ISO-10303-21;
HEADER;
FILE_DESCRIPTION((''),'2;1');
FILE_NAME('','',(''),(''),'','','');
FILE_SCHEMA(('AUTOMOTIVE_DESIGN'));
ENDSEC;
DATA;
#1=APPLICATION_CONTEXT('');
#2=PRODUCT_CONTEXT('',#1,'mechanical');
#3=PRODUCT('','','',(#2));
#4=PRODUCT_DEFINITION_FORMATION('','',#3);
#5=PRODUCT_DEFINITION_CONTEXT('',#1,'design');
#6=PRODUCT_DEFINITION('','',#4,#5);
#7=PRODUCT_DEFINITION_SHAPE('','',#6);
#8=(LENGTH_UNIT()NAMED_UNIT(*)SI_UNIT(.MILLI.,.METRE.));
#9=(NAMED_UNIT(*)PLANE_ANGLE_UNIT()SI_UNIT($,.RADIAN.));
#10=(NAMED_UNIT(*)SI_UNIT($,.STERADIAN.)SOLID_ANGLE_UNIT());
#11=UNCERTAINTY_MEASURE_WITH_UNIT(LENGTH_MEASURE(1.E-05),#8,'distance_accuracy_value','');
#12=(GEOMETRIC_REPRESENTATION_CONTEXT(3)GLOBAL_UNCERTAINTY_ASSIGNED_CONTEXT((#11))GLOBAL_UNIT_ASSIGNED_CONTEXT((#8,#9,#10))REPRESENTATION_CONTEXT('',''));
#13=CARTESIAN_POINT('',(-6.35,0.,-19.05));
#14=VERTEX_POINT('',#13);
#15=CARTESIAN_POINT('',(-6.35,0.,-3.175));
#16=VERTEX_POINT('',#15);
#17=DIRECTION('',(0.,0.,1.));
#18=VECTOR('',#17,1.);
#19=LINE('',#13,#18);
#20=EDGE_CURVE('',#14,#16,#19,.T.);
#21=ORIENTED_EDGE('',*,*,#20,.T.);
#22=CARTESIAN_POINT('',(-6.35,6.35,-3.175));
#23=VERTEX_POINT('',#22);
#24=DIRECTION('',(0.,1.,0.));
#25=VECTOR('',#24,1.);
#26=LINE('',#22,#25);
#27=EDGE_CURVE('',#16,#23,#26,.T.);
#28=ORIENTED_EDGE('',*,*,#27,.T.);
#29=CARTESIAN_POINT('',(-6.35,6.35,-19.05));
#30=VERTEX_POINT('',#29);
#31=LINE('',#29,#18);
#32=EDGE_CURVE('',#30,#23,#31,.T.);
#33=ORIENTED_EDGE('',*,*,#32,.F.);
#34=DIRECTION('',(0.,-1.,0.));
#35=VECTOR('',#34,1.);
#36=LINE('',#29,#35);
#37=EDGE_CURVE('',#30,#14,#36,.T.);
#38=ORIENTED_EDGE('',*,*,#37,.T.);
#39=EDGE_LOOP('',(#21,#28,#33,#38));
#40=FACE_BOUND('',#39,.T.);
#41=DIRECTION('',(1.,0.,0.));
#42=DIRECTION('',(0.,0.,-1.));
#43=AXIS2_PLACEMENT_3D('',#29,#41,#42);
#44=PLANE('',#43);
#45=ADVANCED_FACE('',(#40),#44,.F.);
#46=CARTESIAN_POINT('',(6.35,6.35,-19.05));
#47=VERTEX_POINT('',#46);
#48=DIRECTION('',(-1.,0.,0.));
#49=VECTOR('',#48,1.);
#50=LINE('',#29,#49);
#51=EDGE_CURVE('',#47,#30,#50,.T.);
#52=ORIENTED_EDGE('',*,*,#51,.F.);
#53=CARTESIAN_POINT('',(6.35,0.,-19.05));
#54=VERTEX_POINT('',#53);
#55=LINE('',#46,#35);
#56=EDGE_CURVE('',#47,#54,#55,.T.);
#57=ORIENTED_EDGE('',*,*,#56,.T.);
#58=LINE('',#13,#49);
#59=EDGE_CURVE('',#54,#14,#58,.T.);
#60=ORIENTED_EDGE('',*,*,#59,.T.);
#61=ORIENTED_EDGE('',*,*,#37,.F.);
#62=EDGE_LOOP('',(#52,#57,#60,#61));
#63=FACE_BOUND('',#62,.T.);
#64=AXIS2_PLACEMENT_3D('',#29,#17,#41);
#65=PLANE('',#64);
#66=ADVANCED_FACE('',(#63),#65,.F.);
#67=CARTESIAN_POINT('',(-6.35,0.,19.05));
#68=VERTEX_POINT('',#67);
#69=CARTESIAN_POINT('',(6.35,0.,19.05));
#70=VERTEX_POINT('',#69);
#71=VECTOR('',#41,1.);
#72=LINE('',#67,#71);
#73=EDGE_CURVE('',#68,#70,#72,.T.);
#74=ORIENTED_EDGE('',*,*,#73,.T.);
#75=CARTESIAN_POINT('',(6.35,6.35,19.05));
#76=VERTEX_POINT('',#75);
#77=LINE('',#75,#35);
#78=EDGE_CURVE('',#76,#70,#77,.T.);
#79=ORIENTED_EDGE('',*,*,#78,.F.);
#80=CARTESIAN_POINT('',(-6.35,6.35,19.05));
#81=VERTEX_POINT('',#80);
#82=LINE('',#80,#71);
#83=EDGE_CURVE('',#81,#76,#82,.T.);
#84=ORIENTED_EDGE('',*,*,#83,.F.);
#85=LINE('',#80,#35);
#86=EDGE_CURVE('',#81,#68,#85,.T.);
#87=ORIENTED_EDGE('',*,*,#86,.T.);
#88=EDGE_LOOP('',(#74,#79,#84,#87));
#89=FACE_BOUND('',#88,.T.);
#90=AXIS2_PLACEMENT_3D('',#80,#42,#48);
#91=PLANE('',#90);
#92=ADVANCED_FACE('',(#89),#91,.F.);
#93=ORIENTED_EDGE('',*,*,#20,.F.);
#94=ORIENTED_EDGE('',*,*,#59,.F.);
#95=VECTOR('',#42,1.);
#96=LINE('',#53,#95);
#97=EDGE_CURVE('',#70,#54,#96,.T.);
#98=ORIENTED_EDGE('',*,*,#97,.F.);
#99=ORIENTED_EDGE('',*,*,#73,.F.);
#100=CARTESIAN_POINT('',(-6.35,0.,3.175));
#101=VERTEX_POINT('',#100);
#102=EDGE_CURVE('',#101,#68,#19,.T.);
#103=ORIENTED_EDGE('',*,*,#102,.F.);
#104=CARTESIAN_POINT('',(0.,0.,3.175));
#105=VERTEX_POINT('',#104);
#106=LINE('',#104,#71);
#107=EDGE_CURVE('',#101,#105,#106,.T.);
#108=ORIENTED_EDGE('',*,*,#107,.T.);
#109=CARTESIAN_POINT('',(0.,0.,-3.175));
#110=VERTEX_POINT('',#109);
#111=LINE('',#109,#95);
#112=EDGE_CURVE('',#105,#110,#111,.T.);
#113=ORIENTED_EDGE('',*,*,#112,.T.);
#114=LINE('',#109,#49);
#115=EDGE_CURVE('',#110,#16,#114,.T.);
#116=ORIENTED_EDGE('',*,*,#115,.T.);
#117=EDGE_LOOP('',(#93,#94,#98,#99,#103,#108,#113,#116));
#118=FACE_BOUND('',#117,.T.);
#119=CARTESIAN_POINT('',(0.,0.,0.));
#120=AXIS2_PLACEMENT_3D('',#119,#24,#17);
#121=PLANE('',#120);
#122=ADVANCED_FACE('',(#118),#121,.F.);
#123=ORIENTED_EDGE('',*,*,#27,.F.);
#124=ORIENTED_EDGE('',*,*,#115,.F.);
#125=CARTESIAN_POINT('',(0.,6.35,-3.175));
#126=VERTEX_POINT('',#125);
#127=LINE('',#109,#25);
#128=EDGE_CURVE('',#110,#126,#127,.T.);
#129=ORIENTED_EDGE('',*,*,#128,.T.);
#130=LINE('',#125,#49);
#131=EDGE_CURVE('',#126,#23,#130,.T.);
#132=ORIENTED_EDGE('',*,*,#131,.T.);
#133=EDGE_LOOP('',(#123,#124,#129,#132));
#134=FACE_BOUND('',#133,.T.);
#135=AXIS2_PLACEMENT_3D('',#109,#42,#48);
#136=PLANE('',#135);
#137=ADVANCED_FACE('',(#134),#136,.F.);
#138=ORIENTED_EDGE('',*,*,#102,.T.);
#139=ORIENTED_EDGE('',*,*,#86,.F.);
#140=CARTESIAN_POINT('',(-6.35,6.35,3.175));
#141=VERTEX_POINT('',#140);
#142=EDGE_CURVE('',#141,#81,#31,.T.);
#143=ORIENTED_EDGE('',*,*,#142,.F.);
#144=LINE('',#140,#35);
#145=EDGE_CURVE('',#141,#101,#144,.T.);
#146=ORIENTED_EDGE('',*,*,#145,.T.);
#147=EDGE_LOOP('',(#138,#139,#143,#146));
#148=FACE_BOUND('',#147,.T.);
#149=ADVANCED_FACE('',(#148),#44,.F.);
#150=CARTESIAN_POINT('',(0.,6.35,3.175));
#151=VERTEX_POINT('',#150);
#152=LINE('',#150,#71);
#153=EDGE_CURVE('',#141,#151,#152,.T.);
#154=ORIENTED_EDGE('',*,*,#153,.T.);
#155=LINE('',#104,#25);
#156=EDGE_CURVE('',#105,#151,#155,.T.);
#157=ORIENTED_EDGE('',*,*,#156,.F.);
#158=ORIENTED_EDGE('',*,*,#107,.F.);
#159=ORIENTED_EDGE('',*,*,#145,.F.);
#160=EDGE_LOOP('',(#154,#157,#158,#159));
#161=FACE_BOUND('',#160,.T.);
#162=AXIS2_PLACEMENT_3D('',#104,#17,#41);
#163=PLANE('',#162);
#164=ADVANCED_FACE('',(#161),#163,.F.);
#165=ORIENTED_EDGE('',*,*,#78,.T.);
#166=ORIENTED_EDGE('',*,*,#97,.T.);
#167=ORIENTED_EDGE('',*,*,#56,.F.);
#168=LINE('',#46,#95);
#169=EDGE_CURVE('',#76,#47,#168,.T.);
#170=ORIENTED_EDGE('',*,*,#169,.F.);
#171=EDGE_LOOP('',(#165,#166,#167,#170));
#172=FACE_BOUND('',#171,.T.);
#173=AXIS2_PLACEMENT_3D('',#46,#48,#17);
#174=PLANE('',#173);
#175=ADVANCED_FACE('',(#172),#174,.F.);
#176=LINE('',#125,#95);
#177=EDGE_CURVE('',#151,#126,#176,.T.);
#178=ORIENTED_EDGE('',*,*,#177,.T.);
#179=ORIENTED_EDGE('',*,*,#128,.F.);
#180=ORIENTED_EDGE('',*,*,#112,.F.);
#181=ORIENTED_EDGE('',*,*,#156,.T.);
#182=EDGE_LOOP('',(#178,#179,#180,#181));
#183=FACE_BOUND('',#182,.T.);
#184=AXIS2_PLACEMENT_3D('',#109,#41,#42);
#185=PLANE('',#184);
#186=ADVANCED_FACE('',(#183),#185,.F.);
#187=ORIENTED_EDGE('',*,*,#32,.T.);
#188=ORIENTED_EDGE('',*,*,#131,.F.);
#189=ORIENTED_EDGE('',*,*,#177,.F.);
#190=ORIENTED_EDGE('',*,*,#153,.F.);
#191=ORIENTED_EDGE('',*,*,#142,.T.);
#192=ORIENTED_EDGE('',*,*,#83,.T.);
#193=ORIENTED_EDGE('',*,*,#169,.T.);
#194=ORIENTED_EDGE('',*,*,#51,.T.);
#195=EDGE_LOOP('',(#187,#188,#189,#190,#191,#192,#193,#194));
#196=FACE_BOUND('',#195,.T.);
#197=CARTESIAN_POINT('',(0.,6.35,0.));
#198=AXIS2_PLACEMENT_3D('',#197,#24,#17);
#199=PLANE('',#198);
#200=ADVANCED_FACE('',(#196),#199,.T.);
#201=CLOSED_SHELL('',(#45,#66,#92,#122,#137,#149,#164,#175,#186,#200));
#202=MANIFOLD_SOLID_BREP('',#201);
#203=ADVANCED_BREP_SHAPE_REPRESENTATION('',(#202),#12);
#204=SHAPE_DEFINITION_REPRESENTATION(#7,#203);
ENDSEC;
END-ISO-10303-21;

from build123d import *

# Parameters (mm, degrees)
SKETCH1_W           = 12.7
SKETCH1_H           = 38.1
BOSS_EXTRUDE1_DEPTH = 6.35
SKETCH2_W           = 12.7
SKETCH2_H           = 6.35
CUT_EXTRUDE1_DEPTH  = 22.060567419


with BuildPart() as part:
    # Sketch1 → Boss-Extrude1 (new body)
    with BuildSketch(Plane(origin=(0, 0, 0), x_dir=(1, 0, 0), z_dir=(0, 1, 0))):
        Rectangle(SKETCH1_W, SKETCH1_H)
    extrude(amount=BOSS_EXTRUDE1_DEPTH)

    # Sketch2 → Cut-Extrude1 (cut, through all)
    with BuildSketch(Plane(origin=(0, 6.35, 0), x_dir=(1, 0, 0), z_dir=(0, 1, 0))):
        with Locations((-6.35, 0)):
            Rectangle(SKETCH2_W, SKETCH2_H)
    extrude(amount=-CUT_EXTRUDE1_DEPTH, mode=Mode.SUBTRACT)


solid = part.part
